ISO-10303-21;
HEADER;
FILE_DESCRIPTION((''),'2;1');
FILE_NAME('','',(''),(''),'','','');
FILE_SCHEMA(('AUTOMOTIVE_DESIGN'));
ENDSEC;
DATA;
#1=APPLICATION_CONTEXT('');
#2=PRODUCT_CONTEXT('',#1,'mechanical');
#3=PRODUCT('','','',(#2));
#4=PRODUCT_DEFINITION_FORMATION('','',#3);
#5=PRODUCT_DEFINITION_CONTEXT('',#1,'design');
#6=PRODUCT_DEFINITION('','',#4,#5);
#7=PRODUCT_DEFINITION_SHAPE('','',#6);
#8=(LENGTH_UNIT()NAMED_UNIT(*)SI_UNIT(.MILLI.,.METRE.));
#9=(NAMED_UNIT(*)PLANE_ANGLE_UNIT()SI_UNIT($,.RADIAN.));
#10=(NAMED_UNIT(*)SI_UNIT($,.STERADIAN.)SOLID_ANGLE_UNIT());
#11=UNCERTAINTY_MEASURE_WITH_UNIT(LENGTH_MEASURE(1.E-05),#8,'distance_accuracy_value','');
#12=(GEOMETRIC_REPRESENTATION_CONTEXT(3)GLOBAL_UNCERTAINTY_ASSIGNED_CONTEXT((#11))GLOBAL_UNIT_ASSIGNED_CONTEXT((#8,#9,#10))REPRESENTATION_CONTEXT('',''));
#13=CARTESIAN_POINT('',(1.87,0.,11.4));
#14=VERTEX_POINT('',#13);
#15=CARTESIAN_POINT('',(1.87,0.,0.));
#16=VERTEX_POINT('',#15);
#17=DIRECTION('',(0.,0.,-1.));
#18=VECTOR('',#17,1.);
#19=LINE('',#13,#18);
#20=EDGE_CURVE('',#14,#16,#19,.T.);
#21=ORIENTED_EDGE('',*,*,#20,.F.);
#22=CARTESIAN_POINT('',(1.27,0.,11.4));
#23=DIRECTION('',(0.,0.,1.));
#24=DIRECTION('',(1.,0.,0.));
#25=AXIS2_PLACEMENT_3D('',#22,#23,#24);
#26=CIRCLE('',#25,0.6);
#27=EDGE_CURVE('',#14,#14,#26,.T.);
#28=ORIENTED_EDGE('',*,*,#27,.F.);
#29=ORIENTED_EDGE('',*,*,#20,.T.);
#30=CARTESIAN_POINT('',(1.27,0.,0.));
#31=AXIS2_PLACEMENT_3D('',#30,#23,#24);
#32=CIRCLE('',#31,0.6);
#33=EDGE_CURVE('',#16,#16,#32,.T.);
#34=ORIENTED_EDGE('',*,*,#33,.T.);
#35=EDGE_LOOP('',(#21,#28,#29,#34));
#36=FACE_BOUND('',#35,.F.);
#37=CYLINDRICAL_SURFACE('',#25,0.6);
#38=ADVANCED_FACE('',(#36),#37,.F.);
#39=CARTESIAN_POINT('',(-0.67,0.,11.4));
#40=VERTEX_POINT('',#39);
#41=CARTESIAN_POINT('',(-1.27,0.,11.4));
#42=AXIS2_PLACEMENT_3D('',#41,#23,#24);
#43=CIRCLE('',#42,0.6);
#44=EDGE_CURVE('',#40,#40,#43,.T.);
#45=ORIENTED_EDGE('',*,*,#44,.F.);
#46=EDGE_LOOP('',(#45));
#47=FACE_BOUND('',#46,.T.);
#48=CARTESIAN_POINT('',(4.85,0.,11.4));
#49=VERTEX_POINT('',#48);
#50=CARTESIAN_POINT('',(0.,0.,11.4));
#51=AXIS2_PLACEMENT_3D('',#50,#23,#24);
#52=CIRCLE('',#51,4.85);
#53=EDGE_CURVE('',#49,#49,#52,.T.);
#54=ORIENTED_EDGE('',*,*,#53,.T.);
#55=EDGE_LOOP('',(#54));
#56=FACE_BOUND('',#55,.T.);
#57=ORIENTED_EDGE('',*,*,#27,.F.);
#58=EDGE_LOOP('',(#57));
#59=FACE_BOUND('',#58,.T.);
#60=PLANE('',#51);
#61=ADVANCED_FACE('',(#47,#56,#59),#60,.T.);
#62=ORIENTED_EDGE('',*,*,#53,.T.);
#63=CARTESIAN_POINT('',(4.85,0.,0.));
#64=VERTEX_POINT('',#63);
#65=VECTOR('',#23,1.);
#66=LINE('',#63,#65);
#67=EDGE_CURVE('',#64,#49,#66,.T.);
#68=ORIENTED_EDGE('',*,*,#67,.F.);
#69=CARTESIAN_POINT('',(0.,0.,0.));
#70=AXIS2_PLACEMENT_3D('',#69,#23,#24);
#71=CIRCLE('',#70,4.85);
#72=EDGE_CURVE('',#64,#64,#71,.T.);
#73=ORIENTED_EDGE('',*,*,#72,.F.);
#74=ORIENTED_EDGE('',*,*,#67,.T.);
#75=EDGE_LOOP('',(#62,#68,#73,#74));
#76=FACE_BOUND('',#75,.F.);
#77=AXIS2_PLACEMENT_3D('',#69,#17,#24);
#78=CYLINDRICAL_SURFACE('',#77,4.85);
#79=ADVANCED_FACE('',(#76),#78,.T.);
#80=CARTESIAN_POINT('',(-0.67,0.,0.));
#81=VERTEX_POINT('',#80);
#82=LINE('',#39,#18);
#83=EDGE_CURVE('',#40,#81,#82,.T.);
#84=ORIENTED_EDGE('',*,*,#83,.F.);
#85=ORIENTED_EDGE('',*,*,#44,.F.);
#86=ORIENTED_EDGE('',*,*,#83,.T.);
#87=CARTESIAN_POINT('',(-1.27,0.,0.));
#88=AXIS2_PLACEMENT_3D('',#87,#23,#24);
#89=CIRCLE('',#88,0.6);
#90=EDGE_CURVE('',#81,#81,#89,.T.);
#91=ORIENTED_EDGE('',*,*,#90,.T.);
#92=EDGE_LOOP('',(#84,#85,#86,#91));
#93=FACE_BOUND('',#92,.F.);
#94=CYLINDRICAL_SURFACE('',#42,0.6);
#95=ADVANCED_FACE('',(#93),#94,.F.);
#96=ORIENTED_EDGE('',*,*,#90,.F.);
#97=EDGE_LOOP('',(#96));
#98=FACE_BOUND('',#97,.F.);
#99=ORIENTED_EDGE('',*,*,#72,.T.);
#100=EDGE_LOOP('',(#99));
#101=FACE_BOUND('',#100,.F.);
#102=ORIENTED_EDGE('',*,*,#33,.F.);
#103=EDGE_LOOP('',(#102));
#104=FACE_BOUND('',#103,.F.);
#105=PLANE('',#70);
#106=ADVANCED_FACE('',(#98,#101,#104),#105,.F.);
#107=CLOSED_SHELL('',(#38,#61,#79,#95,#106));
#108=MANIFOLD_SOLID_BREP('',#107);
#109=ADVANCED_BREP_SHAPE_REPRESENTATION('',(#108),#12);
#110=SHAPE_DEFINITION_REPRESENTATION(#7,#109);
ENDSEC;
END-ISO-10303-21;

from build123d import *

# Parameters (mm, degrees)
SKETCH_R     = 4.85
PAD_DEPTH    = 11.4
SKETCH001_R  = 0.6
POCKET_DEPTH = 11.401


with BuildPart() as part:
    # Sketch → Pad (new body)
    with BuildSketch(Plane.XY):
        Circle(SKETCH_R)
    extrude(amount=PAD_DEPTH)

    # Sketch001 (on Face3 of Pad) → Pocket (cut, through all)
    with BuildSketch(Plane.XY.offset(11.4)):
        with Locations((-1.27, 0)):
            Circle(SKETCH001_R)
        with Locations((1.27, 0)):
            Circle(SKETCH001_R)
    extrude(amount=-POCKET_DEPTH, mode=Mode.SUBTRACT)


solid = part.part
